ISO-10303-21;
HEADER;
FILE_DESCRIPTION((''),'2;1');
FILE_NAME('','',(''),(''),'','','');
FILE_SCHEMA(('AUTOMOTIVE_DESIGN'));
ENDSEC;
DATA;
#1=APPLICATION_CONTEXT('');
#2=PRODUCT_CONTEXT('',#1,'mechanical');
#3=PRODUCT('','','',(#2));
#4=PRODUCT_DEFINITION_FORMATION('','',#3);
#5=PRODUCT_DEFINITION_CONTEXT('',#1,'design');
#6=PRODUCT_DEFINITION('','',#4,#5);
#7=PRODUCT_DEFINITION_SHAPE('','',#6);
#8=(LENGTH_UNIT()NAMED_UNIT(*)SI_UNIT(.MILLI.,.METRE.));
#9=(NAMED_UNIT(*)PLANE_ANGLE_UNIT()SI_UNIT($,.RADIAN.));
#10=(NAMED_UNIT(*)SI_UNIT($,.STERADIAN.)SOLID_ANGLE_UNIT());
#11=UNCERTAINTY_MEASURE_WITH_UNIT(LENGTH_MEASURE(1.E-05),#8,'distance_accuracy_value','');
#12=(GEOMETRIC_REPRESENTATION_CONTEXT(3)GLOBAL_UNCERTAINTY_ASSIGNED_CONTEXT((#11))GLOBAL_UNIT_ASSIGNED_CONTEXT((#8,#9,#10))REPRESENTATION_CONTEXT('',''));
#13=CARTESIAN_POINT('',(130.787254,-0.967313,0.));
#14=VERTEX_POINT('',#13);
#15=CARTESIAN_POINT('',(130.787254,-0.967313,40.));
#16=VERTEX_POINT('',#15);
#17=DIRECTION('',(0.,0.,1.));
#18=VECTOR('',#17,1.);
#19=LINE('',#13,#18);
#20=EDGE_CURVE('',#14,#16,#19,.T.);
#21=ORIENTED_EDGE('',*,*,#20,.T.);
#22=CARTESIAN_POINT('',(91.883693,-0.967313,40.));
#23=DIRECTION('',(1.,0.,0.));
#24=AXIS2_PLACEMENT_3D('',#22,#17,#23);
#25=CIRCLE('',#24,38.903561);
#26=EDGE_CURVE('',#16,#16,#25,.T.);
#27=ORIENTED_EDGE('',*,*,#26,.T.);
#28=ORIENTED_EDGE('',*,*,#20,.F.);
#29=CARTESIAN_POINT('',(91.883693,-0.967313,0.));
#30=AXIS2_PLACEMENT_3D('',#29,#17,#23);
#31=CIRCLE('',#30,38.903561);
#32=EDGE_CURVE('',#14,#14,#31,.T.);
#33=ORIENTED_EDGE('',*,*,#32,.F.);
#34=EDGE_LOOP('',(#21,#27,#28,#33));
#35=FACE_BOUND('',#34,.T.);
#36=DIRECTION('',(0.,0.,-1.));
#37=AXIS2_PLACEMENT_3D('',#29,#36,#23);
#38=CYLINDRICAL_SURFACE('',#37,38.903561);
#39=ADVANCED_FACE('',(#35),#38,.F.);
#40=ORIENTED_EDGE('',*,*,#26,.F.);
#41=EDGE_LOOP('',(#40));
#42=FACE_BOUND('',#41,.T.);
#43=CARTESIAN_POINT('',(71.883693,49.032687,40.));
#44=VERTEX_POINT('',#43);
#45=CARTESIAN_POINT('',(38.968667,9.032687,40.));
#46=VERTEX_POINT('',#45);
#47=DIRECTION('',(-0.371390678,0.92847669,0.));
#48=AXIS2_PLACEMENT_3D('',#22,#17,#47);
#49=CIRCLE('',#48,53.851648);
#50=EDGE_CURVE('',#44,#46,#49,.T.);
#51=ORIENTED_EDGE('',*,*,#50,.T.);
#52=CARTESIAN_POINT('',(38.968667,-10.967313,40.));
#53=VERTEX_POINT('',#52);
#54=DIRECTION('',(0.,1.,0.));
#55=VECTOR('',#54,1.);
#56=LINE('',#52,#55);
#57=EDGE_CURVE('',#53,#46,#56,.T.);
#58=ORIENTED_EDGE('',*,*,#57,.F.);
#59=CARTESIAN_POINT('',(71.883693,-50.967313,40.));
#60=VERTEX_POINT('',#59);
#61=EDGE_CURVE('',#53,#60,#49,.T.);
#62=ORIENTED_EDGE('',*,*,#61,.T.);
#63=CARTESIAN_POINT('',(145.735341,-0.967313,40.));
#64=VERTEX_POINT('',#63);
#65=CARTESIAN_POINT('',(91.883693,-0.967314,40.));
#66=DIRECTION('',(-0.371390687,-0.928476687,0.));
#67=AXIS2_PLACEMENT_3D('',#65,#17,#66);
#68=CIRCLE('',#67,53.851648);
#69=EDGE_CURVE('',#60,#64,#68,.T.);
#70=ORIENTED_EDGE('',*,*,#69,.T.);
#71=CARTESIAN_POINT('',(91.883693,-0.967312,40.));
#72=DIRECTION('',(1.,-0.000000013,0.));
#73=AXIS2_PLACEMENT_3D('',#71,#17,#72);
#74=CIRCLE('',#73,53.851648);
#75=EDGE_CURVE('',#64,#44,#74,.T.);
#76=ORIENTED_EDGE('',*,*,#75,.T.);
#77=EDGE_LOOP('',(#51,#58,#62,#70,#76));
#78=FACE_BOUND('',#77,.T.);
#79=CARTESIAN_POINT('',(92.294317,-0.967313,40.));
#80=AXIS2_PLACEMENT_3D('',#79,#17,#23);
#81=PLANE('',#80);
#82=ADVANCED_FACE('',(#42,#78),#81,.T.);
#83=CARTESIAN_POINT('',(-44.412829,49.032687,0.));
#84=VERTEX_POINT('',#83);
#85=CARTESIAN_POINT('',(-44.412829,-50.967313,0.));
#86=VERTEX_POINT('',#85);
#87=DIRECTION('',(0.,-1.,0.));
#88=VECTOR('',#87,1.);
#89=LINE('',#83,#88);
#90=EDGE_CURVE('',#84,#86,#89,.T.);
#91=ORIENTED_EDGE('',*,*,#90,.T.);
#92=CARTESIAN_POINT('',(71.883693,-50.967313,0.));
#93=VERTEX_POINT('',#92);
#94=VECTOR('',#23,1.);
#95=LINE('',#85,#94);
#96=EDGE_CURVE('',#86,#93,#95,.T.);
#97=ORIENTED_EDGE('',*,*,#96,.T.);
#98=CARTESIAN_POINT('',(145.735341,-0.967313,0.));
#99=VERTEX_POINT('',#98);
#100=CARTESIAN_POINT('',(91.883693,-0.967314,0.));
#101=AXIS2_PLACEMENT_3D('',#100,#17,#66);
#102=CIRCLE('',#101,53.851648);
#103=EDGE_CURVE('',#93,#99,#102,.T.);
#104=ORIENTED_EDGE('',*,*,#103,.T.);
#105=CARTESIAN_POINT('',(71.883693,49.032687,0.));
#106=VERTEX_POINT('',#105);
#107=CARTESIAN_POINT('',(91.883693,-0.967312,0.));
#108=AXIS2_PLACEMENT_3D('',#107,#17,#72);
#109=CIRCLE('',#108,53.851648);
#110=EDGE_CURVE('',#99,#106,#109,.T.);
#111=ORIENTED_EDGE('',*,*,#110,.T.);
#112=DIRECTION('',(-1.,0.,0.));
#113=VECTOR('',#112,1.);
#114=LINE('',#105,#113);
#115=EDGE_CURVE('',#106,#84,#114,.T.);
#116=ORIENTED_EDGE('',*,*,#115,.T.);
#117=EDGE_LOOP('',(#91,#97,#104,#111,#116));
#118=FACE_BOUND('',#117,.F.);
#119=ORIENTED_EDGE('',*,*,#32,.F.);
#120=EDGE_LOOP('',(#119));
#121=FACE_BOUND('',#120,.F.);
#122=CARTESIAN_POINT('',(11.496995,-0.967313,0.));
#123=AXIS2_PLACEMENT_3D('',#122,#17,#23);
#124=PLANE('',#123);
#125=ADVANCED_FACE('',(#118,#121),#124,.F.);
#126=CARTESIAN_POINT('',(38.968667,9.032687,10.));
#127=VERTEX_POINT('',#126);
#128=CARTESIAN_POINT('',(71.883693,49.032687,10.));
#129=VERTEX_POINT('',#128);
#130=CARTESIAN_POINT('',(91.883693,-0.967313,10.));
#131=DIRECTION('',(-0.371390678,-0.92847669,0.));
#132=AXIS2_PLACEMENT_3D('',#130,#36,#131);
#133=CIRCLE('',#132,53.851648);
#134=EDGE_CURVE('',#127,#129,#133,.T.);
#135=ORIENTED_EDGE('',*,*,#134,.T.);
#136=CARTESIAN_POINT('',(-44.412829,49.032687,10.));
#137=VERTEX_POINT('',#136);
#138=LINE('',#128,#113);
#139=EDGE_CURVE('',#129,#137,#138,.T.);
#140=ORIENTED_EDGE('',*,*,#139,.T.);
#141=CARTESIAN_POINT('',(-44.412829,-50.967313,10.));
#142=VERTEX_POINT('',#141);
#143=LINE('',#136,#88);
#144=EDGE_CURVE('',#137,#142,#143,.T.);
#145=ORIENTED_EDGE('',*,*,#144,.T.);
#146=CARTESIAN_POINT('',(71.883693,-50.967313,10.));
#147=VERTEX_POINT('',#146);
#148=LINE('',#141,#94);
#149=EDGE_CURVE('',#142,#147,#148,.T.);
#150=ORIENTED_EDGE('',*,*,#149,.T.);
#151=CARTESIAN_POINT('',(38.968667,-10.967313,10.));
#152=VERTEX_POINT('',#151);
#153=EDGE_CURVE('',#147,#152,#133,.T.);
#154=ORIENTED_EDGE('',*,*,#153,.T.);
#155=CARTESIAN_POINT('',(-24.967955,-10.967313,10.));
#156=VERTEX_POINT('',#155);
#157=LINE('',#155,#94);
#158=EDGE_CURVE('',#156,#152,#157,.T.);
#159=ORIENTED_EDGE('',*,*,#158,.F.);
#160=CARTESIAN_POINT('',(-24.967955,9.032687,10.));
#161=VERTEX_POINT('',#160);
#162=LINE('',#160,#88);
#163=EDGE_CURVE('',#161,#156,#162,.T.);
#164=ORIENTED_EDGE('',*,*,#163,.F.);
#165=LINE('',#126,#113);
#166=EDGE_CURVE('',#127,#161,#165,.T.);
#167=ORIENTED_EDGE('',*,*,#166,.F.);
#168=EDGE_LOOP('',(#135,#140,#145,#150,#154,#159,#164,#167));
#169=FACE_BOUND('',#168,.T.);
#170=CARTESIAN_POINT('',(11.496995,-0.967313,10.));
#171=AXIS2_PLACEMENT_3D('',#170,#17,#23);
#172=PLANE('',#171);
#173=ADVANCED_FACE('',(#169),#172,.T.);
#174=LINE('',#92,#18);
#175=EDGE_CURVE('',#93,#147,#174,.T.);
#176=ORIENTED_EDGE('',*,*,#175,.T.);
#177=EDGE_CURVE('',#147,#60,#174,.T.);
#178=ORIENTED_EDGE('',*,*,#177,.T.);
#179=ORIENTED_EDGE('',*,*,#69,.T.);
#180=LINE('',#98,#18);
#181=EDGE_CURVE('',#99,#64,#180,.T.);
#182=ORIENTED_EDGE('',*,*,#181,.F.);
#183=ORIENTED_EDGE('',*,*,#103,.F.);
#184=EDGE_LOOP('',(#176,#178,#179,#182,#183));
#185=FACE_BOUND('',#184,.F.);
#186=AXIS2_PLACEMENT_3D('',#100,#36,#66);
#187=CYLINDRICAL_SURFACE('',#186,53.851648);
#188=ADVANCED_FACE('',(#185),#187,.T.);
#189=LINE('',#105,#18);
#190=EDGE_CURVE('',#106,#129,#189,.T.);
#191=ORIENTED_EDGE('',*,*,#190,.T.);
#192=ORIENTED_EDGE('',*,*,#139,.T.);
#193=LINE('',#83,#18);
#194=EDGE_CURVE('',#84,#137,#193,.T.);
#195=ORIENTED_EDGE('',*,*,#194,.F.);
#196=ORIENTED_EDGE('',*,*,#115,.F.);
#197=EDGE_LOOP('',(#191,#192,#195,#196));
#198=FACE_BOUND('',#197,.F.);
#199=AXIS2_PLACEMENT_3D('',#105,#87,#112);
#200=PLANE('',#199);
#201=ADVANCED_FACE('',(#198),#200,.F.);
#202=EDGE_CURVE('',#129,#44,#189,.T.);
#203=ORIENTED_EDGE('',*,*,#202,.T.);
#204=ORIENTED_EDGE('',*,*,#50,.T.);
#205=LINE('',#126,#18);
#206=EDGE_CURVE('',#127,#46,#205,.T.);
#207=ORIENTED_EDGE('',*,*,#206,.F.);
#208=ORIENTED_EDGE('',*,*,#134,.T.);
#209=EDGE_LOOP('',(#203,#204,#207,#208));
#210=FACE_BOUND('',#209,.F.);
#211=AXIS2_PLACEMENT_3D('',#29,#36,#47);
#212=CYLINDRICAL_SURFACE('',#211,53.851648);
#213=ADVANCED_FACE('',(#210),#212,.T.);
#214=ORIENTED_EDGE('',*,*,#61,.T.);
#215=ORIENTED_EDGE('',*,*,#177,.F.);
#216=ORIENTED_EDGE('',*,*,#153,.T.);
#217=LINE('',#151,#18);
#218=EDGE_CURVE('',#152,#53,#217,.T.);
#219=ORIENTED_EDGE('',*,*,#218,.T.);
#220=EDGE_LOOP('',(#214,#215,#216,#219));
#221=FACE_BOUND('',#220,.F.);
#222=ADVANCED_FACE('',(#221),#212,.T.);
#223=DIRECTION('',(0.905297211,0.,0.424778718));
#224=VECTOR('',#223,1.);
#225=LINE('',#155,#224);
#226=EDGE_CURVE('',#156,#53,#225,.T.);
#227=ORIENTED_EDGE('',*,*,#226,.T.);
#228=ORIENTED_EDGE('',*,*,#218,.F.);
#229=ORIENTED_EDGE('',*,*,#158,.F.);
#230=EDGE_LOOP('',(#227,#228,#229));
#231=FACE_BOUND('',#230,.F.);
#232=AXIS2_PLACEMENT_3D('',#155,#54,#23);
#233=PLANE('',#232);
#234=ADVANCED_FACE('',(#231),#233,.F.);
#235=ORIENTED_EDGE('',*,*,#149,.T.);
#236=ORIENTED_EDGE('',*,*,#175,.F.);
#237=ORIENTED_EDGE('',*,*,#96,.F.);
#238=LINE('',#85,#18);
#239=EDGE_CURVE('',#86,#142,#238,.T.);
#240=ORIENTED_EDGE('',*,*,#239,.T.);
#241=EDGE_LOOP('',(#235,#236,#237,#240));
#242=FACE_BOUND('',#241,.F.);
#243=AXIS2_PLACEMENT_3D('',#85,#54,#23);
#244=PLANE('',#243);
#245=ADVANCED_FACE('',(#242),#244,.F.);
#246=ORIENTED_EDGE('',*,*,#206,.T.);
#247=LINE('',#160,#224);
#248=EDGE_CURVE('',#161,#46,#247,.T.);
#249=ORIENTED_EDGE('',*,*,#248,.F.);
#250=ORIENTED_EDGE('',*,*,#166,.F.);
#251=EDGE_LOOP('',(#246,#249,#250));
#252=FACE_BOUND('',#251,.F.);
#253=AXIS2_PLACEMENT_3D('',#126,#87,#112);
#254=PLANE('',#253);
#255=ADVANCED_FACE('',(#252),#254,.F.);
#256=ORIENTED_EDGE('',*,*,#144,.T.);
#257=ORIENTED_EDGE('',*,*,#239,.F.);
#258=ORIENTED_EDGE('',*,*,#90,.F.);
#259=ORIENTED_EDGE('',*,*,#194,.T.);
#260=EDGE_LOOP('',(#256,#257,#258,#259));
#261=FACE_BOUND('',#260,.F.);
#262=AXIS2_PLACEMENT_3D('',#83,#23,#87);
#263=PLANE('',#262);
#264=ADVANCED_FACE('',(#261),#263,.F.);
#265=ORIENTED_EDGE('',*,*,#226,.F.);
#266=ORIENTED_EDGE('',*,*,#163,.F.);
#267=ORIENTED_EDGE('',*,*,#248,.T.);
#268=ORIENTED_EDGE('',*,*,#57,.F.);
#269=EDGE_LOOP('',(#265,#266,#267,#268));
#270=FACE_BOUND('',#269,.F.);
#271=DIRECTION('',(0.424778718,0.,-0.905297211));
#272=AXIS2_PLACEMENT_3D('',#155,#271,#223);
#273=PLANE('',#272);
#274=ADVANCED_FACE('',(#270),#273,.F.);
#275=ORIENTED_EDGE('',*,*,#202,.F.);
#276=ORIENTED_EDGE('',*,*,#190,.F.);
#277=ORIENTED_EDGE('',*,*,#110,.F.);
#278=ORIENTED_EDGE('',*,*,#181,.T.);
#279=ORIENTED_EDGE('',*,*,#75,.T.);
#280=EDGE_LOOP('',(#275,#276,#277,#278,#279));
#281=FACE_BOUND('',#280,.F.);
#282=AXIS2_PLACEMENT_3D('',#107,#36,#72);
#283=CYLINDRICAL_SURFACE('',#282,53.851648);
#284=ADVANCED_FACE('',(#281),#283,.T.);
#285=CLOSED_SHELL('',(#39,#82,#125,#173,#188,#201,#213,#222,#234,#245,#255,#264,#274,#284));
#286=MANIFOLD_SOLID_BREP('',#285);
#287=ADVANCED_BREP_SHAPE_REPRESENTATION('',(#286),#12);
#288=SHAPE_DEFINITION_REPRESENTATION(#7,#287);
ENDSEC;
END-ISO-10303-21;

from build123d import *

# Parameters (mm, degrees)
F0_R     = 38.903561
F1_DEPTH = 40
F2_DEPTH = 10
F4_DEPTH = 30
F6_DEPTH = 20


with BuildPart() as f1:
    # F0 (on Top) → F1 (new body)
    with BuildSketch(Plane.XY):
        with BuildLine():
            ThreePointArc((145.735341, -0.967313), (122.074479, 43.625472), (71.883693, 49.032687))
            ThreePointArc((71.883693, 49.032687), (38.032045, -0.967313), (71.883693, -50.967313))
            ThreePointArc((71.883693, -50.967313), (122.074479, -45.560098), (145.735341, -0.967313))
        make_face()
        with Locations((91.883693, -0.967313)):
            Circle(F0_R, mode=Mode.SUBTRACT)
    extrude(amount=F1_DEPTH)

    # F0 (on Top) → F2 (join)
    with BuildSketch(Plane.XY):
        with BuildLine():
            Line((71.883693, 49.032687), (-44.412829, 49.032687))
            Line((-44.412829, 49.032687), (-44.412829, -50.967313))
            Line((-44.412829, -50.967313), (71.883693, -50.967313))
            ThreePointArc((71.883693, -50.967313), (38.032045, -0.967313), (71.883693, 49.032687))
        make_face()
    extrude(amount=F2_DEPTH)

    # F3 (on face) → F4 (join)
    with BuildSketch(Plane.XY.offset(10)):
        with BuildLine():
            ThreePointArc((38.968667, -10.967313), (38.032045, -0.967313), (38.968667, 9.032687))
            Line((38.968667, 9.032687), (-24.967955, 9.032687))
            Line((-24.967955, 9.032687), (-24.967955, -0.967313))
            Line((-24.967955, -0.967313), (-24.967955, -10.967313))
            Line((-24.967955, -10.967313), (38.968667, -10.967313))
        make_face()
    extrude(amount=F4_DEPTH)

    # F5 (on face) → F6 (cut)
    with BuildSketch(Plane.XZ.offset(10.967313)):
        Polygon((-24.967955, 40), (-24.967955, 10), (38.968667, 40), align=None)
    extrude(amount=-F6_DEPTH, mode=Mode.SUBTRACT)


solid = f1.part
